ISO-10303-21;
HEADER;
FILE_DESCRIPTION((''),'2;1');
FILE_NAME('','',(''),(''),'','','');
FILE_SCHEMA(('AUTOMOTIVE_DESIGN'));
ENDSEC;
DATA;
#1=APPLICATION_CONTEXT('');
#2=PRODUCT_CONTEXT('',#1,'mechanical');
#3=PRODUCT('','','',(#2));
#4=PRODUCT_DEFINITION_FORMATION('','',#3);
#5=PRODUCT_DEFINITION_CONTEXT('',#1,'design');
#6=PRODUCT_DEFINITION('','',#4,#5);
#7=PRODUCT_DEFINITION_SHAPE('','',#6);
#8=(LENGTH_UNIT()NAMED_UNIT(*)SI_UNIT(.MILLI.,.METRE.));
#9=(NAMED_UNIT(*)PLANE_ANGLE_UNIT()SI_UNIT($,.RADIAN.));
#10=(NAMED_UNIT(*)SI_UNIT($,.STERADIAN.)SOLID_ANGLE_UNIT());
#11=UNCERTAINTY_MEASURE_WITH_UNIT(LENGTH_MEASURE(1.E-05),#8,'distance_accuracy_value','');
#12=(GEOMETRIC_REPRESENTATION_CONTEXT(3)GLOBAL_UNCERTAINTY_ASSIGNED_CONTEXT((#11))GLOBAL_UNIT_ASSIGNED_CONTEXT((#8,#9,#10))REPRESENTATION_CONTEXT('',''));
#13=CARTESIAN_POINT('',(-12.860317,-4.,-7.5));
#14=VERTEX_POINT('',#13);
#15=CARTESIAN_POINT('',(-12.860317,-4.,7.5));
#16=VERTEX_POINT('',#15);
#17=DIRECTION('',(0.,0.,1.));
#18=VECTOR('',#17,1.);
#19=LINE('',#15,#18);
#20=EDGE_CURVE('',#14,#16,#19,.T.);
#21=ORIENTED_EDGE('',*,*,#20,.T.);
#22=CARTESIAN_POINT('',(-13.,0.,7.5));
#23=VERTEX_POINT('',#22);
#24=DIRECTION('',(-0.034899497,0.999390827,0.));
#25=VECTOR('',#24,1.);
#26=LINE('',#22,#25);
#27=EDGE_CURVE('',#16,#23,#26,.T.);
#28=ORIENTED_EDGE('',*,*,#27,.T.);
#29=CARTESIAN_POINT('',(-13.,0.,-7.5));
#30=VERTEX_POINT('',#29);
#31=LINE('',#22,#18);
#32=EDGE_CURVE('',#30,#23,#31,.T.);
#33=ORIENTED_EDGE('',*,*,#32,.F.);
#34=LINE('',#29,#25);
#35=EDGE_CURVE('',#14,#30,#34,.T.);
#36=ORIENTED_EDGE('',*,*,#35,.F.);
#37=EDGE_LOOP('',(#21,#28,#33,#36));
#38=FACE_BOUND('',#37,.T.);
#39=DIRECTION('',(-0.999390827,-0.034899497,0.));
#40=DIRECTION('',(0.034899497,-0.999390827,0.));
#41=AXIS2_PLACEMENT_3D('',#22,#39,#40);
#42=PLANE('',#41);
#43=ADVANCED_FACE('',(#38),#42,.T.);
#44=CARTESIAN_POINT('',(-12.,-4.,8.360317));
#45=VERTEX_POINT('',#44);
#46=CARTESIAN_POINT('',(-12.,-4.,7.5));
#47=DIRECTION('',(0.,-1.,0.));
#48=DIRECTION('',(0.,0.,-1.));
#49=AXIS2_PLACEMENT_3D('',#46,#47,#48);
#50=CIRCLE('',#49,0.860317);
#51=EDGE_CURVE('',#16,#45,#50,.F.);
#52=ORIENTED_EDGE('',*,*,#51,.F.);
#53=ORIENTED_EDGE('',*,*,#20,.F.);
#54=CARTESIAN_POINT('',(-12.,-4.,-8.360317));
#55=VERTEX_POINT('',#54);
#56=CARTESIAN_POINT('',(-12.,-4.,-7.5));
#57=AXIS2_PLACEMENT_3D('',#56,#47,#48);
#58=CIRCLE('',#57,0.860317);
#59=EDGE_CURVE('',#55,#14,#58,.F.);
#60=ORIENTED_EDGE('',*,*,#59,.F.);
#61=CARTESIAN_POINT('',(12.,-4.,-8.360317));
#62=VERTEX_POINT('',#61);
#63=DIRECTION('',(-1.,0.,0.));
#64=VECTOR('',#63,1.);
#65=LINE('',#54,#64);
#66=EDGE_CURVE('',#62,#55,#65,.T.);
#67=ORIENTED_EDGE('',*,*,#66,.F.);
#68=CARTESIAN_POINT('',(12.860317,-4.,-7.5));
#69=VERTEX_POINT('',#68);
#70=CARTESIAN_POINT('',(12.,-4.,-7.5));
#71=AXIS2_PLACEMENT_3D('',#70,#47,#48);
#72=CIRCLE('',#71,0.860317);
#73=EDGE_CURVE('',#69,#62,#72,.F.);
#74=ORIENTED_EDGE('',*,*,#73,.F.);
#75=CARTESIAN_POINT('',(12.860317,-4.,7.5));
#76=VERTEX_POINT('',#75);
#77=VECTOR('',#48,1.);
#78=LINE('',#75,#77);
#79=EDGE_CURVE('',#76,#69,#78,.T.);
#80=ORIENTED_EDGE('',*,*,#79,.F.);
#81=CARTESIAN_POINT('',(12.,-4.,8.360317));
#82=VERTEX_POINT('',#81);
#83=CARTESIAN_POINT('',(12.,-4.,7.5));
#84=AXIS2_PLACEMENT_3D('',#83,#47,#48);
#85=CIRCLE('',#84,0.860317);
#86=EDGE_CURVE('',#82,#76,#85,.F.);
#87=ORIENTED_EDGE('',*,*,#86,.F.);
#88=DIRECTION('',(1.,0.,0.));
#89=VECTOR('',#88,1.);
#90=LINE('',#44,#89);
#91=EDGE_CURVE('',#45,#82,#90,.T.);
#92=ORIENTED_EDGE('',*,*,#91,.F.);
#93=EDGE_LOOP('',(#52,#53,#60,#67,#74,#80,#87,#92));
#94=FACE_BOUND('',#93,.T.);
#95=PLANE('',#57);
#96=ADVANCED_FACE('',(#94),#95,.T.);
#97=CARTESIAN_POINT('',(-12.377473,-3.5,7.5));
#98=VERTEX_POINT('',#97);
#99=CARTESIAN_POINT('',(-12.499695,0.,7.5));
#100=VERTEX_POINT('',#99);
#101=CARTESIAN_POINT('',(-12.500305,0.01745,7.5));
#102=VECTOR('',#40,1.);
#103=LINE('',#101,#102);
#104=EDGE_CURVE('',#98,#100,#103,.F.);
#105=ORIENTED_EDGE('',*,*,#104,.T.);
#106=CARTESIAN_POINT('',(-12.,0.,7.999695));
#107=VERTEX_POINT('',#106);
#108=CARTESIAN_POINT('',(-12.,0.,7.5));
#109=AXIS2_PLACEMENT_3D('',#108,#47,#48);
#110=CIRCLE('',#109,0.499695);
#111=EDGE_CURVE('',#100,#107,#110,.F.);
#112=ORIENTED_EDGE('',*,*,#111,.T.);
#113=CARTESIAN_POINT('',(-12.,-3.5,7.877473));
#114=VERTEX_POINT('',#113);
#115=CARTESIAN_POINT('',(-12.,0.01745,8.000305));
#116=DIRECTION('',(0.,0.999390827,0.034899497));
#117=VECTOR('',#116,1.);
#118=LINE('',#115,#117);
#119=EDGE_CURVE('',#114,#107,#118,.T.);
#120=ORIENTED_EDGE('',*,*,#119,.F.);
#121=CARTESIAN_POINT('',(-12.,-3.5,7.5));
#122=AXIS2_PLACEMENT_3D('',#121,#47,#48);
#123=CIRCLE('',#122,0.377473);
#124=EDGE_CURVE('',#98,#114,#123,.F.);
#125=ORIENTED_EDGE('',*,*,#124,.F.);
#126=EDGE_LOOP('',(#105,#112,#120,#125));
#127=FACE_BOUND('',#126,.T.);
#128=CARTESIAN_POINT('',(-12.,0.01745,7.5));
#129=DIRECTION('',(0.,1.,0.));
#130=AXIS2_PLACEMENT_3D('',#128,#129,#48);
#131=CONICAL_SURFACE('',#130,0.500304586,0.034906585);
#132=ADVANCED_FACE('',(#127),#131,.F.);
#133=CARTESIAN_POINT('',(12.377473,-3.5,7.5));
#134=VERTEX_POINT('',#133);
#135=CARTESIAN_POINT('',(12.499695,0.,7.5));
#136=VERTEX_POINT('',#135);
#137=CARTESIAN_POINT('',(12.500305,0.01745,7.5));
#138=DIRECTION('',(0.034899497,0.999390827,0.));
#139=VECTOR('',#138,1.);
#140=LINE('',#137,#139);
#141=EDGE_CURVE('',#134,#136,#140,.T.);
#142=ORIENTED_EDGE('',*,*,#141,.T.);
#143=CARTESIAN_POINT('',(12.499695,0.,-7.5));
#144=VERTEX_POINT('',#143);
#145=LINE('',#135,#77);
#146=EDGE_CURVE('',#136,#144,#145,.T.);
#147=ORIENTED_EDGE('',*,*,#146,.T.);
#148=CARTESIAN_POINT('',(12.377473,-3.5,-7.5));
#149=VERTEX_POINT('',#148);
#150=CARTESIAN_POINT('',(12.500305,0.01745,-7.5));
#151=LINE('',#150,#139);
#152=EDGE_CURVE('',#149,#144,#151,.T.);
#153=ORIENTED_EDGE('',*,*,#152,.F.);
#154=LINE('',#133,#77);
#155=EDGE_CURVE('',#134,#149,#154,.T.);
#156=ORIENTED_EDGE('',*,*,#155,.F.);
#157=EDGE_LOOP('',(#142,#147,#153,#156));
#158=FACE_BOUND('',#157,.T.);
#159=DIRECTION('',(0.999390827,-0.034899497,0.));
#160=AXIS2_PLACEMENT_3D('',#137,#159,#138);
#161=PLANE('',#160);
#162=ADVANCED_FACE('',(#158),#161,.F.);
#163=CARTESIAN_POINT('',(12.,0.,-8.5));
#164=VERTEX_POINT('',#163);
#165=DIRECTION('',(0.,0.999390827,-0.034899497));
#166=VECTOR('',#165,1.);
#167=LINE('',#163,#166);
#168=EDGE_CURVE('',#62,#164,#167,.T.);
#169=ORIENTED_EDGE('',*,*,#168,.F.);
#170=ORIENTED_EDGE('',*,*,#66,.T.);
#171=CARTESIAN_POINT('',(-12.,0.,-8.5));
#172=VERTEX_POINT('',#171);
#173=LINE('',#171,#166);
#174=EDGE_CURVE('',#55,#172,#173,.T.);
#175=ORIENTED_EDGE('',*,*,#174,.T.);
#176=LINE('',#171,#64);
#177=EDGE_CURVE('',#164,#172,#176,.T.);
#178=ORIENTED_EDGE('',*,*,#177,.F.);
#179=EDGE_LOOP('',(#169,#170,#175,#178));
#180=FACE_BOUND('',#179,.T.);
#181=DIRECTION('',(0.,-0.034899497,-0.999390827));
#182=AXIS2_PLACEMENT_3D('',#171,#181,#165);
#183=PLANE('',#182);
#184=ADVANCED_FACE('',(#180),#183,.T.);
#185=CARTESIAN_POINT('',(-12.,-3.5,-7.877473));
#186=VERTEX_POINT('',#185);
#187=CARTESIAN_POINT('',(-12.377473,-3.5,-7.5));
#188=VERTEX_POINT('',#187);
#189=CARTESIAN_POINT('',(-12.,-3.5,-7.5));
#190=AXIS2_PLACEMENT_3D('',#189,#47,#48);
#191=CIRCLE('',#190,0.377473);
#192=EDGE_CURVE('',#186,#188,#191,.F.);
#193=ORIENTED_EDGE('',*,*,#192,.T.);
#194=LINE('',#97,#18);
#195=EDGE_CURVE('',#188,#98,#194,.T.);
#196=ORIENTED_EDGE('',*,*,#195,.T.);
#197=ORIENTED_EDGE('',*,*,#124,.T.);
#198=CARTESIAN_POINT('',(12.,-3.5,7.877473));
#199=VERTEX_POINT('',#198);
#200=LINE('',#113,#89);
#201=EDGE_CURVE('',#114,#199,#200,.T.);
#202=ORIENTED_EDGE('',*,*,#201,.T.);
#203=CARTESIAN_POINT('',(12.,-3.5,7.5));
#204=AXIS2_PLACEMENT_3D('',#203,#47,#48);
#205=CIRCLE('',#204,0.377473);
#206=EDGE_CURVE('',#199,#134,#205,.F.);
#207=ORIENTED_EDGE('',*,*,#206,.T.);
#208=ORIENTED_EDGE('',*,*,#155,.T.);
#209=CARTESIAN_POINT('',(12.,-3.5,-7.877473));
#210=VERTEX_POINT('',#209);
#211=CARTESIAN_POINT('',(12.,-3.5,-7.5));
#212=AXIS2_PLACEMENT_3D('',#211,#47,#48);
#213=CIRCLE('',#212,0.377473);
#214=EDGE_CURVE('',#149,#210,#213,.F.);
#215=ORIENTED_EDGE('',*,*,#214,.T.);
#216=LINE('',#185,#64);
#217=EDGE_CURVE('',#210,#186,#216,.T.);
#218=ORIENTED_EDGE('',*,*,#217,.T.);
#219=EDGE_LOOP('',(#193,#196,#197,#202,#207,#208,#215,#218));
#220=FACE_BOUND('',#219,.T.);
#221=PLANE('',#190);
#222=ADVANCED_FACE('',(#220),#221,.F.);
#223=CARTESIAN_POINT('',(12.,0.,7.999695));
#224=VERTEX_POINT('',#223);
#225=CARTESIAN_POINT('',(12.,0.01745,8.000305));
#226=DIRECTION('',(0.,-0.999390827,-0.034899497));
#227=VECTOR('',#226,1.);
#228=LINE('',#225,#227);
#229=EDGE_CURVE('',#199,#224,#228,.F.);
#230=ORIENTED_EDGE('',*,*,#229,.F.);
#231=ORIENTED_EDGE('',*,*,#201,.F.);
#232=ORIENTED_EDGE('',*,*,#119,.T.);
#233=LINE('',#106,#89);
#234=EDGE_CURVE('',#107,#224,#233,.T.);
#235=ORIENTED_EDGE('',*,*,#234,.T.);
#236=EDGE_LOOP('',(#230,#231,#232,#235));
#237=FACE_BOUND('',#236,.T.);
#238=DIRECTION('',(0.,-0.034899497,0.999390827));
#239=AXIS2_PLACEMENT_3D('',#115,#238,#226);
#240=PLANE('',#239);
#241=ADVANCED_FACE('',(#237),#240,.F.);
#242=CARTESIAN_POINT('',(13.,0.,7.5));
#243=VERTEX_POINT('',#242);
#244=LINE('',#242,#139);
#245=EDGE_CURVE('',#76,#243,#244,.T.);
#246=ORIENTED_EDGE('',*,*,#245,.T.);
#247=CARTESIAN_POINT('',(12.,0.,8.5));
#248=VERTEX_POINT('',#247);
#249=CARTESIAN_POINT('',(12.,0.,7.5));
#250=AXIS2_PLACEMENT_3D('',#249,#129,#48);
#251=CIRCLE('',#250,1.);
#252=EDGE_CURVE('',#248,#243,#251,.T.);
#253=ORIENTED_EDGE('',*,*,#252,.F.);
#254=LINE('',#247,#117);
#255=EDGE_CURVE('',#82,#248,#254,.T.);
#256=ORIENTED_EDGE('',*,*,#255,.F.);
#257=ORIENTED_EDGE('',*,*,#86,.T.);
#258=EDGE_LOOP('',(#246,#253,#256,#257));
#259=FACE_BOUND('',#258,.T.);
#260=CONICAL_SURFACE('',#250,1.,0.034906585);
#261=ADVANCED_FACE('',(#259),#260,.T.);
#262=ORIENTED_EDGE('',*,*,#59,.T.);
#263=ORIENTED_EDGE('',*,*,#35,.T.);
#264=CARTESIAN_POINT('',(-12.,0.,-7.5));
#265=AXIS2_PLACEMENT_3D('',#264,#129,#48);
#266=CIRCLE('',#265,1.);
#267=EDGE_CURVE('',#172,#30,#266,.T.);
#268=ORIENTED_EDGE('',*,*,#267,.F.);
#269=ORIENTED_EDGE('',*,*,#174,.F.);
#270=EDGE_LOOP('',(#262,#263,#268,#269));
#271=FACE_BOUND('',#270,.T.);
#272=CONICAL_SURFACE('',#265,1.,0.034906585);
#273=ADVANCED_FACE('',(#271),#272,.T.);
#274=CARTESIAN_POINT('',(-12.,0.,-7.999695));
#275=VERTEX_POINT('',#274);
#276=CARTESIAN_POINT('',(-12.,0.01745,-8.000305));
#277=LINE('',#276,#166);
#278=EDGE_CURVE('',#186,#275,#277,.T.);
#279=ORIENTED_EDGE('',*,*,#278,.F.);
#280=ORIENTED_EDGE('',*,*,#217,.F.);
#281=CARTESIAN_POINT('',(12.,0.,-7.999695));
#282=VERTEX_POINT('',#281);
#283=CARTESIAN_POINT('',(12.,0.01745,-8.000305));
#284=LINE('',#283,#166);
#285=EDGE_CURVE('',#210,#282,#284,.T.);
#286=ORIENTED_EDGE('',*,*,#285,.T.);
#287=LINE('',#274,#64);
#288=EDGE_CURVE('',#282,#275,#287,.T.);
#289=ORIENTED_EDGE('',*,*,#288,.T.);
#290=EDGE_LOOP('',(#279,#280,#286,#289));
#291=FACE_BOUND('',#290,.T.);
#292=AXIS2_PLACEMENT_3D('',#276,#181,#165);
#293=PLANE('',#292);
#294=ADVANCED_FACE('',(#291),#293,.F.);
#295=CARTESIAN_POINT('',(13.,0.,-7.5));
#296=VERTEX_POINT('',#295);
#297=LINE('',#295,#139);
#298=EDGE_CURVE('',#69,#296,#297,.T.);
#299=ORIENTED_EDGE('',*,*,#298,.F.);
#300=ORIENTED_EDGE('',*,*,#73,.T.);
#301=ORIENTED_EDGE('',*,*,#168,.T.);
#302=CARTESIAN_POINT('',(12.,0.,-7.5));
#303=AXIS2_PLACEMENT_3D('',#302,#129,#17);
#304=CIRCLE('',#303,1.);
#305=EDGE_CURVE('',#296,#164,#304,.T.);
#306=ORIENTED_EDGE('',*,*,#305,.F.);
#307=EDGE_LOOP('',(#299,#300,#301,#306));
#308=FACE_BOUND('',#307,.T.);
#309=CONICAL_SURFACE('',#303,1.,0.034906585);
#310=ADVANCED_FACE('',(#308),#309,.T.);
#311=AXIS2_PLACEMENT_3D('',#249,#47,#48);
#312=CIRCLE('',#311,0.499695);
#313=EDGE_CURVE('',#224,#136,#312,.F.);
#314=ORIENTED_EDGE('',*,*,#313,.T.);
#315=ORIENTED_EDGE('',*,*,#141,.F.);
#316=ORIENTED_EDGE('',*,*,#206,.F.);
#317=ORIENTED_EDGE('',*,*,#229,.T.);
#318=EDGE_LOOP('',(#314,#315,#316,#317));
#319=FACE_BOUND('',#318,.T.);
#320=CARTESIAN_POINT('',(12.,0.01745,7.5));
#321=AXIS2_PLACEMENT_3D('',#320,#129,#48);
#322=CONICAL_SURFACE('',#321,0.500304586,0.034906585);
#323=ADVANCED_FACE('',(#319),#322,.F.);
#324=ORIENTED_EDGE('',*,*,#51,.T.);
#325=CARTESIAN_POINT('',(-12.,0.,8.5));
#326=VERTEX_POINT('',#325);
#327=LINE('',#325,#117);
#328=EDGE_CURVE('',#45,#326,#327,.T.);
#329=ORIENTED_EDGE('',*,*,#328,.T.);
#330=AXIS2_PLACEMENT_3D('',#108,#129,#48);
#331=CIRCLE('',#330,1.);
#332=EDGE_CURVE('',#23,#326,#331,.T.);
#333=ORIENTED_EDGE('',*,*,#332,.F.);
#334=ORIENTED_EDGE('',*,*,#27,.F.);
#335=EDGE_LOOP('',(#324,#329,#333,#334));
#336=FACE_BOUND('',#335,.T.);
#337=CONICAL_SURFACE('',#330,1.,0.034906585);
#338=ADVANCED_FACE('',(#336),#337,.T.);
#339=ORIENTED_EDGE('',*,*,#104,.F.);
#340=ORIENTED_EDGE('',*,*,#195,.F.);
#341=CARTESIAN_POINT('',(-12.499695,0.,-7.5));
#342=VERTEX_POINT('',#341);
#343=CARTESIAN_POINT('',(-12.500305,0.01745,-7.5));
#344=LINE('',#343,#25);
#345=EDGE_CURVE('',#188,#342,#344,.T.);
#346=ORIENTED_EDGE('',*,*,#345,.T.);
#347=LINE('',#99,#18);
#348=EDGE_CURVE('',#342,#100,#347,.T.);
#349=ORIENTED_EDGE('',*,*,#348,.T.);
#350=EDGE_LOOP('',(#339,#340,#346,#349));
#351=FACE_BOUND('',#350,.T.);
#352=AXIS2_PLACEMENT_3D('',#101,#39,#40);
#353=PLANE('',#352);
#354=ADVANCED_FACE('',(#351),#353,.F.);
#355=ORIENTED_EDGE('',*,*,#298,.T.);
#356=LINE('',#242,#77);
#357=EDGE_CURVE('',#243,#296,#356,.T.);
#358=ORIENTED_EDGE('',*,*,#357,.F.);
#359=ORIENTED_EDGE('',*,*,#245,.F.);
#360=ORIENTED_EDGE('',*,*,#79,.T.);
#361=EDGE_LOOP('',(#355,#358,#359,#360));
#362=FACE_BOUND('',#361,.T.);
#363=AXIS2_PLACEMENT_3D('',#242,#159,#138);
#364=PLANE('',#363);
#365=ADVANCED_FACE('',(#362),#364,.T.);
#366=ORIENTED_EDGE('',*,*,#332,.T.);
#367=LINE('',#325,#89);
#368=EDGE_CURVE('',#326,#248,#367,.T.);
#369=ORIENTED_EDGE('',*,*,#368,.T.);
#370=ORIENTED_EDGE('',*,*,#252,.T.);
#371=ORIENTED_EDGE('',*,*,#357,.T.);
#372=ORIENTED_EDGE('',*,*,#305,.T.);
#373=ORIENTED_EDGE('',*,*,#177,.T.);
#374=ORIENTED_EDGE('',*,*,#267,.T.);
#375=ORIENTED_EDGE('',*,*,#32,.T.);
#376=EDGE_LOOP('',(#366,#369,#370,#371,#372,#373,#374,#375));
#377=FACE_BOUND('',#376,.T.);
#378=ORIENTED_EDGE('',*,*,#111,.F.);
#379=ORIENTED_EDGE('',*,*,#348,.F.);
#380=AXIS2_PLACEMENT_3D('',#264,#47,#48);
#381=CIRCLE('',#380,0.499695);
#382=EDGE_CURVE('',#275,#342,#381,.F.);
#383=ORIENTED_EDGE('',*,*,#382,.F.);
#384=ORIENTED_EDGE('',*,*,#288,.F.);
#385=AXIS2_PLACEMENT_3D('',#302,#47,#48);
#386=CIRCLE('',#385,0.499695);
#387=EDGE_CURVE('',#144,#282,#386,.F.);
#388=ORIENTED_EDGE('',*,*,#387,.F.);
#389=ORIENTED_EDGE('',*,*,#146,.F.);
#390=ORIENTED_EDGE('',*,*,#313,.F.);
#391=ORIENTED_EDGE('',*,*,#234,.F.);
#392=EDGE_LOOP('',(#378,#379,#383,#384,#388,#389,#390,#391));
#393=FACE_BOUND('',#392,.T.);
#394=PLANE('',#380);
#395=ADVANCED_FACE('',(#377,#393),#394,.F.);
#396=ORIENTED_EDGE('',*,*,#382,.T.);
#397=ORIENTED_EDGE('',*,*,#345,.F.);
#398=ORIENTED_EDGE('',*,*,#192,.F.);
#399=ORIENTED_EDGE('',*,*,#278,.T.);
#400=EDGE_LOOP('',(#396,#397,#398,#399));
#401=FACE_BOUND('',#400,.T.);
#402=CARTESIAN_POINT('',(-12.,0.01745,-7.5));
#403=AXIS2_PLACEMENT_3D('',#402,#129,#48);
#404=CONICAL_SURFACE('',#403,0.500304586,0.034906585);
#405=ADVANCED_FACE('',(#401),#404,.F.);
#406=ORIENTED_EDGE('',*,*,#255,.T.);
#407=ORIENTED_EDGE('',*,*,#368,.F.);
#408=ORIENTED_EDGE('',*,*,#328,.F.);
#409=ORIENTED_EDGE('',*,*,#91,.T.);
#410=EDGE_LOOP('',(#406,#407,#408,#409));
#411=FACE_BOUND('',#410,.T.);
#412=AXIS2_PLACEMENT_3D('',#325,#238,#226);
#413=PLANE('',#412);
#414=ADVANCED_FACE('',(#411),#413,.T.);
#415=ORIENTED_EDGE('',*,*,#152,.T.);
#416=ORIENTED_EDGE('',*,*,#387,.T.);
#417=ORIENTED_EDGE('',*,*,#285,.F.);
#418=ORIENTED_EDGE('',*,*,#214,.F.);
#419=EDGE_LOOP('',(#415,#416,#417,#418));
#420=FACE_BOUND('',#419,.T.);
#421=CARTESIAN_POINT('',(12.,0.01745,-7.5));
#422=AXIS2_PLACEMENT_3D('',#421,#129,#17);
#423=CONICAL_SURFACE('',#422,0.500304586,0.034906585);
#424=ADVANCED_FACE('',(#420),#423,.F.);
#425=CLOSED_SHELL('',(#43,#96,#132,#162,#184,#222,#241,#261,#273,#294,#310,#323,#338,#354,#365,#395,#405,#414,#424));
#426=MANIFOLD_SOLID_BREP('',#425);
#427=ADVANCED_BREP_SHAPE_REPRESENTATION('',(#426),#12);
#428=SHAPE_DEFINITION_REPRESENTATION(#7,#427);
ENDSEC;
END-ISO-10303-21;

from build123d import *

# Parameters (mm, degrees)
BOSS_EXTRUDE1_DEPTH = 4
BOSS_EXTRUDE1_DRAFT = -2
SHELL1_T            = -0.5


with BuildPart() as part:
    # Sketch1 → Boss-Extrude1 (with draft: the straight prism first)
    with BuildSketch(Plane(origin=(0, 0, 0), x_dir=(1, 0, 0), z_dir=(0, 1, 0))):
        with BuildLine():
            Line((-12, -8.5), (12, -8.5))
            ThreePointArc((12, -8.5), (12.707106781, -8.207106781), (13, -7.5))
            Line((13, -7.5), (13, 7.5))
            ThreePointArc((13, 7.5), (12.707106781, 8.207106781), (12, 8.5))
            Line((12, 8.5), (-12, 8.5))
            ThreePointArc((-12, 8.5), (-12.707106781, 8.207106781), (-13, 7.5))
            Line((-13, 7.5), (-13, -7.5))
            ThreePointArc((-13, -7.5), (-12.707106781, -8.207106781), (-12, -8.5))
        make_face()
    extrude(amount=-BOSS_EXTRUDE1_DEPTH)
    # Boss-Extrude1: the draft: its side faces are tilted about the plane it starts from
    boss_extrude1_sides = [part.faces().sort_by_distance(p)[0] for p in [
        (0, -2, 8.5),
        (12.707106781, -2, 8.207106781),
        (13, -2, 0),
        (12.707106781, -2, -8.207106781),
        (0, -2, -8.5),
        (-12.707106781, -2, -8.207106781),
        (-13, -2, 0),
        (-12.707106781, -2, 8.207106781),
    ]]
    draft(boss_extrude1_sides, Plane(origin=(0, 0, 0), x_dir=(1, 0, 0), z_dir=(0, 1, 0)), BOSS_EXTRUDE1_DRAFT)

    # Shell1
    shell1_openings = [part.faces().sort_by_distance(p)[0] for p in [
        (0, 0, 0),
    ]]
    offset(amount=SHELL1_T, openings=shell1_openings, kind=Kind.INTERSECTION)


solid = part.part
